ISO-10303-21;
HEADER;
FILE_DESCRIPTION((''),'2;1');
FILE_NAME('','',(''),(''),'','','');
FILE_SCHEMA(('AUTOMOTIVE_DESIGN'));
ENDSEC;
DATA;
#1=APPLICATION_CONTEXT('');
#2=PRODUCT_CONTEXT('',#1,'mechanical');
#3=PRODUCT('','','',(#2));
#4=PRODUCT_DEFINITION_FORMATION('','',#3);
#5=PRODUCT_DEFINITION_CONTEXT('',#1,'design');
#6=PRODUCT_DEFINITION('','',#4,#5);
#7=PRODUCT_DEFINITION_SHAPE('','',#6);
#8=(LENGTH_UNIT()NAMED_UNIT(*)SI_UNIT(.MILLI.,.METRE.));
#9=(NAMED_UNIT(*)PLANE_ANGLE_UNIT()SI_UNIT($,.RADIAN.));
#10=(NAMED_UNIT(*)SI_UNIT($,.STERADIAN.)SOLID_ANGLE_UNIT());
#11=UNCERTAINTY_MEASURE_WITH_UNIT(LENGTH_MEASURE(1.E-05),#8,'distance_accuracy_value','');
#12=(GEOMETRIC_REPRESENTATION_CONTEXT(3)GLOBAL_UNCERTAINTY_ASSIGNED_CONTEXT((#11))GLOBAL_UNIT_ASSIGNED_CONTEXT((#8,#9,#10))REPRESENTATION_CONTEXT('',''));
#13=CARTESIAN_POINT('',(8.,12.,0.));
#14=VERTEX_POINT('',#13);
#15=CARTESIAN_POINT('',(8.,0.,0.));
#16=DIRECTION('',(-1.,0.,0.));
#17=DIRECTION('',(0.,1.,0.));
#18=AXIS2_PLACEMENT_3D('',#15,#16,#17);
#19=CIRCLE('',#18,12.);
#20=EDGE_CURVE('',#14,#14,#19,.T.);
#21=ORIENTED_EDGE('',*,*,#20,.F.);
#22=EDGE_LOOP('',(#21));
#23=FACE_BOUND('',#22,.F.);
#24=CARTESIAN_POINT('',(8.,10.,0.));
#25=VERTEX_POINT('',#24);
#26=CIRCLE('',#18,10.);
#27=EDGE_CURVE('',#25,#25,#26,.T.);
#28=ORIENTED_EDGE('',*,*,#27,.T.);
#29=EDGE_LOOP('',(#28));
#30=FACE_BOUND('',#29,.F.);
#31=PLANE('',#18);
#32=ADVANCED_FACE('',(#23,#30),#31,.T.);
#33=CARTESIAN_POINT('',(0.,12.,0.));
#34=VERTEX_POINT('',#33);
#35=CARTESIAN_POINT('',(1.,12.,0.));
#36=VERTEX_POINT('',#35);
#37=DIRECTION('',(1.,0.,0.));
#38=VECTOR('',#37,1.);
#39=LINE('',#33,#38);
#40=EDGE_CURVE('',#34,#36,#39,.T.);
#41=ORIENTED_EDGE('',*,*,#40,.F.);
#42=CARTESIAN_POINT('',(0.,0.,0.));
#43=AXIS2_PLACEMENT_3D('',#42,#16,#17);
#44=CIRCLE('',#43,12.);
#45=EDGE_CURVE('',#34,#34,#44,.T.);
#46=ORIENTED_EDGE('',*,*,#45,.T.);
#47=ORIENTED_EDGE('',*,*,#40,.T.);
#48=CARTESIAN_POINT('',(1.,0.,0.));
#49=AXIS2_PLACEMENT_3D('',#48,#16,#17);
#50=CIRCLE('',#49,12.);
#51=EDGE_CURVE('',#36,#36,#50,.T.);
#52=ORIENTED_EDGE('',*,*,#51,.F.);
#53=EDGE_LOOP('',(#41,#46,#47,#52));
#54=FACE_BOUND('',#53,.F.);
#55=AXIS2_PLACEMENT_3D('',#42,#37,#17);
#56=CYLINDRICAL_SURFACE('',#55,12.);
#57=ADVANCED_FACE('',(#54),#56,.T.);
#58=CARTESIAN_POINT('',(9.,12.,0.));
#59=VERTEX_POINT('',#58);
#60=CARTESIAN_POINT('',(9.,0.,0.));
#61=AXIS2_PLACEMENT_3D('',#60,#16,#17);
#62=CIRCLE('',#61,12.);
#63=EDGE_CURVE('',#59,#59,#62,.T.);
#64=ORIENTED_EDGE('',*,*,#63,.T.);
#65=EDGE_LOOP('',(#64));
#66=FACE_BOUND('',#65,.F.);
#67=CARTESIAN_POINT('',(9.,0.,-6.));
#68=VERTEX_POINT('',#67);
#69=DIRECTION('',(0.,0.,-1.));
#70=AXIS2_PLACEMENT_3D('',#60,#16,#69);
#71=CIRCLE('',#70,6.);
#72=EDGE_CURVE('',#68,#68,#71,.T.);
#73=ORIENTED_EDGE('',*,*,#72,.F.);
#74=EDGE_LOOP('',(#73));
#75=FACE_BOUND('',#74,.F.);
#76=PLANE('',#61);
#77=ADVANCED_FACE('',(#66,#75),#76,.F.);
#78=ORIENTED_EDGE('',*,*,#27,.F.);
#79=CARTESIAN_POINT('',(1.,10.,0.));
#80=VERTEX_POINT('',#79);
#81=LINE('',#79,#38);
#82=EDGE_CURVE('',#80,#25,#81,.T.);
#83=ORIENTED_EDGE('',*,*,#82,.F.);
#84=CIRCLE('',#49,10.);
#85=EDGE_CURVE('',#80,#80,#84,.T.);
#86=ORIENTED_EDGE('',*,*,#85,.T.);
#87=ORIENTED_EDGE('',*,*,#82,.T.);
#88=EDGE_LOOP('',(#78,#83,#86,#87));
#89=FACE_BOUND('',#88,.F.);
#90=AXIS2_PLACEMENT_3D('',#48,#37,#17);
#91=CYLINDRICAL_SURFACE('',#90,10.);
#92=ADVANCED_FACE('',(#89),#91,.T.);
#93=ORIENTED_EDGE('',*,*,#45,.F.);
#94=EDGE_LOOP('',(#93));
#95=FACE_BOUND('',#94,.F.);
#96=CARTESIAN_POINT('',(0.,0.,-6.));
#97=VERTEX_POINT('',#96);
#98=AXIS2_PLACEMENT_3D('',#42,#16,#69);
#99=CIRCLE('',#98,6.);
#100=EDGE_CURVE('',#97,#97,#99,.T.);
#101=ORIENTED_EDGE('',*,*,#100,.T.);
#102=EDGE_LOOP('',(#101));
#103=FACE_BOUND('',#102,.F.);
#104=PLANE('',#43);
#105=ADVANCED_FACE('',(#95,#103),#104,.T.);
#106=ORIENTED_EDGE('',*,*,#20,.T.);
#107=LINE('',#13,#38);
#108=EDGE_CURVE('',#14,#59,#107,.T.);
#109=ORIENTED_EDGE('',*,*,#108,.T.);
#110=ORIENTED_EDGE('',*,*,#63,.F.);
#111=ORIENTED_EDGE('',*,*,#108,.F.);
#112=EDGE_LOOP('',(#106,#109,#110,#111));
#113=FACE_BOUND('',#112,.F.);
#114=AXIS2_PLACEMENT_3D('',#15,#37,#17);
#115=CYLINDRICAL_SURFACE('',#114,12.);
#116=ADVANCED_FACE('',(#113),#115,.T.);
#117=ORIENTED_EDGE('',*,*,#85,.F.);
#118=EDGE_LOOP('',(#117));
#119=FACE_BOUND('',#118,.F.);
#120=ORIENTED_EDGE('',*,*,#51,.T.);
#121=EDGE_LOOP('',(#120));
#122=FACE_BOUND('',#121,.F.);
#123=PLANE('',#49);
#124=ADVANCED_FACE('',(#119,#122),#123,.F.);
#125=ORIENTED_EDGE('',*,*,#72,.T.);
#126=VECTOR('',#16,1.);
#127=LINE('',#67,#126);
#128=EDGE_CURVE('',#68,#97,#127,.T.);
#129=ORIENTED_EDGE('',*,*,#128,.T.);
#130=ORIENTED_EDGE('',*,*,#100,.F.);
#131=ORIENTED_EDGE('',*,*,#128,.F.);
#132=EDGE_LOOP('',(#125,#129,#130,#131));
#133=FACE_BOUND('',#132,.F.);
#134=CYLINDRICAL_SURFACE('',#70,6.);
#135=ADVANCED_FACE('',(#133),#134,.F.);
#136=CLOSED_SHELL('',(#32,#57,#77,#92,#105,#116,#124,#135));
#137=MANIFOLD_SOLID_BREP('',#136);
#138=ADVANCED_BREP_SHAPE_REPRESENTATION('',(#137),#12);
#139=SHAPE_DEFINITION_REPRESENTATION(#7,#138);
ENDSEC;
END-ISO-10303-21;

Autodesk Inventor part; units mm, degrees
ref_plane "YZ Plane" through (0, 0, 0) normal (1, 0, 0) x (0, 1, 0)
ref_plane "XZ Plane" through (0, 0, 0) normal (0, 1, 0) x (-1, 0, 0)
ref_plane "XY Plane" through (0, 0, 0) normal (0, 0, 1) x (1, 0, 0)
sketch "Sketch1" plane through (0, 0, 0) normal (0, 0, 1) x (1, 0, 0)
  line L0 (0, 0) -> (0, 12)
  line L1 (0, 12) -> (1, 12)
  line L2 (1, 12) -> (1, 10)
  line L3 (1, 10) -> (8, 10)
  line L4 (8, 10) -> (8, 12)
  line L5 (8, 12) -> (9, 12)
  line L6 (9, 12) -> (9, 0)
  line L7 (9, 0) -> (0, 0)
  dimension "d1" = 9
  dimension "d2" = 7
  dimension "d3" = 20
  dimension "d4" = 24
  dimension "d13" = 1
revolve "Revolution1" add sketch "Sketch1" angle 360 about axis through (9, 0, 0) along (-1, 0, 0)
sketch "Sketch2" plane through (9, 0, 0) normal (1, 0, 0) x (0, 0, -1)
  circle A0 centre (0, 0) radius 12 projected
hole "Hole1" at (9, 0, 0) direction (-1, 0, 0) diameter 12 depth 9
properties part number "202 part 2" material "Copper, Alloy"
